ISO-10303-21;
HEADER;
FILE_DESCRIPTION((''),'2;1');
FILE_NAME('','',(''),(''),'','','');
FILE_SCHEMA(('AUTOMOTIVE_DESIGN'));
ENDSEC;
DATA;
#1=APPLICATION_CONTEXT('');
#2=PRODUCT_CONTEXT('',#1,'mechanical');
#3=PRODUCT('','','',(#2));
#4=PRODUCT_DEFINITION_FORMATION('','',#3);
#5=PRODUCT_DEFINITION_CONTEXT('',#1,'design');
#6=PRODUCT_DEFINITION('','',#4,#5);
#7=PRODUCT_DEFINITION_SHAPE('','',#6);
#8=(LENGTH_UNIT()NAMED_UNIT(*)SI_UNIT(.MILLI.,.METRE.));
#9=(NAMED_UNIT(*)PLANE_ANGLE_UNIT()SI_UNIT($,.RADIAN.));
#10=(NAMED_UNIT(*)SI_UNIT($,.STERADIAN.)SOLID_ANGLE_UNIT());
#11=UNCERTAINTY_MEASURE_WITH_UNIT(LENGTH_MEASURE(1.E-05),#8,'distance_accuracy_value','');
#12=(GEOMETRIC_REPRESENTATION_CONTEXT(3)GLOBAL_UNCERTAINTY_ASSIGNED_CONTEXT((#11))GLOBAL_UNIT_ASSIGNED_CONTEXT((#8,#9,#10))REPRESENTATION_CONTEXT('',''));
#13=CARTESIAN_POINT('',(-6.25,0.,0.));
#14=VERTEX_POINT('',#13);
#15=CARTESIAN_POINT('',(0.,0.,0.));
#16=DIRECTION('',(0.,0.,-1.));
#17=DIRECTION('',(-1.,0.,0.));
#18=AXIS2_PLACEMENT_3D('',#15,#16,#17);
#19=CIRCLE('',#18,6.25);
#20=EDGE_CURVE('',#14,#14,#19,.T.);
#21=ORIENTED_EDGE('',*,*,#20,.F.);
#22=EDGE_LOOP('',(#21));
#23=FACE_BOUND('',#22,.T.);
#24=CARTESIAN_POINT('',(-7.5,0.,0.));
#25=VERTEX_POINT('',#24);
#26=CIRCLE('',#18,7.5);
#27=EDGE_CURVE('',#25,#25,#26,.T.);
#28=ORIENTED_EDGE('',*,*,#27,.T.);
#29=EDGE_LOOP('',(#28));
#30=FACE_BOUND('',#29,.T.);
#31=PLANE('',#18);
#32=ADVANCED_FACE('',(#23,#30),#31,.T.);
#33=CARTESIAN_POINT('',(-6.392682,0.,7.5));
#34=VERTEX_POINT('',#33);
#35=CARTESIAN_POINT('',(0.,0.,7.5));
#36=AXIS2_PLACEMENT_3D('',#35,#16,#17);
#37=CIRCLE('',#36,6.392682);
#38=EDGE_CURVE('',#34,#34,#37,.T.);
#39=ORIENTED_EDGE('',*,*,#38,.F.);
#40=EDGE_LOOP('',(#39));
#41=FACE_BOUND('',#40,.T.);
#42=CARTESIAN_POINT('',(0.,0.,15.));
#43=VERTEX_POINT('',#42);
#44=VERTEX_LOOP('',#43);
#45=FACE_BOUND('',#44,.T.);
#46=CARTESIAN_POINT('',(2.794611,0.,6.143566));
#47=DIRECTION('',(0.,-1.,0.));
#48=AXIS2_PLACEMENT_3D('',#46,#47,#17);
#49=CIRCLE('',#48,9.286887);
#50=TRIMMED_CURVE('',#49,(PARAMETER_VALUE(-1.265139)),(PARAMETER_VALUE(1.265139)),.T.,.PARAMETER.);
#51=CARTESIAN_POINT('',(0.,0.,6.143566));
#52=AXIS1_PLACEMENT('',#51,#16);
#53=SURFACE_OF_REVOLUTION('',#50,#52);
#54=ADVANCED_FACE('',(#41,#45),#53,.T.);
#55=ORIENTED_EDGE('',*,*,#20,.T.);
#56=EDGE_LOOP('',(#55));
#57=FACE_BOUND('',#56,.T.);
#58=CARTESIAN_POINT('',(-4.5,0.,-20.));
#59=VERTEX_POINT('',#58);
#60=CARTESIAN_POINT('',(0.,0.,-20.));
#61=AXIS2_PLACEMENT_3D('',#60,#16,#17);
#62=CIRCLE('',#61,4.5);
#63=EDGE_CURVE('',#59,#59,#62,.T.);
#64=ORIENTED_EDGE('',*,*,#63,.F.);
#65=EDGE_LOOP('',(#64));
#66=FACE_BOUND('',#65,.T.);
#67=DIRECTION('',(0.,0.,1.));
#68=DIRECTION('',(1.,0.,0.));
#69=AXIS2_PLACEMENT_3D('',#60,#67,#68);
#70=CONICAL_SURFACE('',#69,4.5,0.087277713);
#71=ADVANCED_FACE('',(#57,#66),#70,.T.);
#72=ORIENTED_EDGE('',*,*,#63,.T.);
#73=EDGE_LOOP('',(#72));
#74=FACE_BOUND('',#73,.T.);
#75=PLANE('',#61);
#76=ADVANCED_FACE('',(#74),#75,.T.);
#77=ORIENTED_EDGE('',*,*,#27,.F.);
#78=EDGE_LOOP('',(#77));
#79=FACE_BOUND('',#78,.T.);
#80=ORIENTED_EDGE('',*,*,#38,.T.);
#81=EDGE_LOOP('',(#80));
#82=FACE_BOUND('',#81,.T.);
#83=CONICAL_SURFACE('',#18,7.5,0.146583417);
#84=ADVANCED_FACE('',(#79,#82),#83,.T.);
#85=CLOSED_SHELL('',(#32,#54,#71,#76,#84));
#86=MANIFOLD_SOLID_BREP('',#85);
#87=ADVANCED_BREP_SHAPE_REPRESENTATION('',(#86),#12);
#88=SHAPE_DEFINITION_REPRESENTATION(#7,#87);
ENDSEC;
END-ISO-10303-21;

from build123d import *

# Parameters (mm, degrees)
SKETCH2_R = 6.25
SKETCH4_R = 4.5


with BuildPart() as part:
    # Sketch1 → Revolve1 (revolve)
    with BuildSketch(Plane(origin=(0, 0, 0), x_dir=(1, 0, 0), z_dir=(0, 1, 0))):
        with BuildLine():
            Line((0, 0), (-7.5, 0))
            Line((-7.5, 0), (-6.39268212, -7.5))
            ThreePointArc((-6.39268212, -7.5), (-4.273203785, -12.167872145), (0, -15))
            Line((0, -15), (0, 0))
        make_face()
    revolve(axis=Axis((0, 0, 0), (0, 0, 1)))

    # Sketch2 → Loft2 section 0
    with BuildSketch(Plane(origin=(0, 0, 0), x_dir=(-1, 0, 0), z_dir=(0, 0, -1))):
        Circle(SKETCH2_R)
    # Sketch4 → Loft2 section 1
    with BuildSketch(Plane(origin=(0, 0, -20), x_dir=(-1, 0, 0), z_dir=(0, 0, -1))):
        Circle(SKETCH4_R)
    loft()


solid = part.part
